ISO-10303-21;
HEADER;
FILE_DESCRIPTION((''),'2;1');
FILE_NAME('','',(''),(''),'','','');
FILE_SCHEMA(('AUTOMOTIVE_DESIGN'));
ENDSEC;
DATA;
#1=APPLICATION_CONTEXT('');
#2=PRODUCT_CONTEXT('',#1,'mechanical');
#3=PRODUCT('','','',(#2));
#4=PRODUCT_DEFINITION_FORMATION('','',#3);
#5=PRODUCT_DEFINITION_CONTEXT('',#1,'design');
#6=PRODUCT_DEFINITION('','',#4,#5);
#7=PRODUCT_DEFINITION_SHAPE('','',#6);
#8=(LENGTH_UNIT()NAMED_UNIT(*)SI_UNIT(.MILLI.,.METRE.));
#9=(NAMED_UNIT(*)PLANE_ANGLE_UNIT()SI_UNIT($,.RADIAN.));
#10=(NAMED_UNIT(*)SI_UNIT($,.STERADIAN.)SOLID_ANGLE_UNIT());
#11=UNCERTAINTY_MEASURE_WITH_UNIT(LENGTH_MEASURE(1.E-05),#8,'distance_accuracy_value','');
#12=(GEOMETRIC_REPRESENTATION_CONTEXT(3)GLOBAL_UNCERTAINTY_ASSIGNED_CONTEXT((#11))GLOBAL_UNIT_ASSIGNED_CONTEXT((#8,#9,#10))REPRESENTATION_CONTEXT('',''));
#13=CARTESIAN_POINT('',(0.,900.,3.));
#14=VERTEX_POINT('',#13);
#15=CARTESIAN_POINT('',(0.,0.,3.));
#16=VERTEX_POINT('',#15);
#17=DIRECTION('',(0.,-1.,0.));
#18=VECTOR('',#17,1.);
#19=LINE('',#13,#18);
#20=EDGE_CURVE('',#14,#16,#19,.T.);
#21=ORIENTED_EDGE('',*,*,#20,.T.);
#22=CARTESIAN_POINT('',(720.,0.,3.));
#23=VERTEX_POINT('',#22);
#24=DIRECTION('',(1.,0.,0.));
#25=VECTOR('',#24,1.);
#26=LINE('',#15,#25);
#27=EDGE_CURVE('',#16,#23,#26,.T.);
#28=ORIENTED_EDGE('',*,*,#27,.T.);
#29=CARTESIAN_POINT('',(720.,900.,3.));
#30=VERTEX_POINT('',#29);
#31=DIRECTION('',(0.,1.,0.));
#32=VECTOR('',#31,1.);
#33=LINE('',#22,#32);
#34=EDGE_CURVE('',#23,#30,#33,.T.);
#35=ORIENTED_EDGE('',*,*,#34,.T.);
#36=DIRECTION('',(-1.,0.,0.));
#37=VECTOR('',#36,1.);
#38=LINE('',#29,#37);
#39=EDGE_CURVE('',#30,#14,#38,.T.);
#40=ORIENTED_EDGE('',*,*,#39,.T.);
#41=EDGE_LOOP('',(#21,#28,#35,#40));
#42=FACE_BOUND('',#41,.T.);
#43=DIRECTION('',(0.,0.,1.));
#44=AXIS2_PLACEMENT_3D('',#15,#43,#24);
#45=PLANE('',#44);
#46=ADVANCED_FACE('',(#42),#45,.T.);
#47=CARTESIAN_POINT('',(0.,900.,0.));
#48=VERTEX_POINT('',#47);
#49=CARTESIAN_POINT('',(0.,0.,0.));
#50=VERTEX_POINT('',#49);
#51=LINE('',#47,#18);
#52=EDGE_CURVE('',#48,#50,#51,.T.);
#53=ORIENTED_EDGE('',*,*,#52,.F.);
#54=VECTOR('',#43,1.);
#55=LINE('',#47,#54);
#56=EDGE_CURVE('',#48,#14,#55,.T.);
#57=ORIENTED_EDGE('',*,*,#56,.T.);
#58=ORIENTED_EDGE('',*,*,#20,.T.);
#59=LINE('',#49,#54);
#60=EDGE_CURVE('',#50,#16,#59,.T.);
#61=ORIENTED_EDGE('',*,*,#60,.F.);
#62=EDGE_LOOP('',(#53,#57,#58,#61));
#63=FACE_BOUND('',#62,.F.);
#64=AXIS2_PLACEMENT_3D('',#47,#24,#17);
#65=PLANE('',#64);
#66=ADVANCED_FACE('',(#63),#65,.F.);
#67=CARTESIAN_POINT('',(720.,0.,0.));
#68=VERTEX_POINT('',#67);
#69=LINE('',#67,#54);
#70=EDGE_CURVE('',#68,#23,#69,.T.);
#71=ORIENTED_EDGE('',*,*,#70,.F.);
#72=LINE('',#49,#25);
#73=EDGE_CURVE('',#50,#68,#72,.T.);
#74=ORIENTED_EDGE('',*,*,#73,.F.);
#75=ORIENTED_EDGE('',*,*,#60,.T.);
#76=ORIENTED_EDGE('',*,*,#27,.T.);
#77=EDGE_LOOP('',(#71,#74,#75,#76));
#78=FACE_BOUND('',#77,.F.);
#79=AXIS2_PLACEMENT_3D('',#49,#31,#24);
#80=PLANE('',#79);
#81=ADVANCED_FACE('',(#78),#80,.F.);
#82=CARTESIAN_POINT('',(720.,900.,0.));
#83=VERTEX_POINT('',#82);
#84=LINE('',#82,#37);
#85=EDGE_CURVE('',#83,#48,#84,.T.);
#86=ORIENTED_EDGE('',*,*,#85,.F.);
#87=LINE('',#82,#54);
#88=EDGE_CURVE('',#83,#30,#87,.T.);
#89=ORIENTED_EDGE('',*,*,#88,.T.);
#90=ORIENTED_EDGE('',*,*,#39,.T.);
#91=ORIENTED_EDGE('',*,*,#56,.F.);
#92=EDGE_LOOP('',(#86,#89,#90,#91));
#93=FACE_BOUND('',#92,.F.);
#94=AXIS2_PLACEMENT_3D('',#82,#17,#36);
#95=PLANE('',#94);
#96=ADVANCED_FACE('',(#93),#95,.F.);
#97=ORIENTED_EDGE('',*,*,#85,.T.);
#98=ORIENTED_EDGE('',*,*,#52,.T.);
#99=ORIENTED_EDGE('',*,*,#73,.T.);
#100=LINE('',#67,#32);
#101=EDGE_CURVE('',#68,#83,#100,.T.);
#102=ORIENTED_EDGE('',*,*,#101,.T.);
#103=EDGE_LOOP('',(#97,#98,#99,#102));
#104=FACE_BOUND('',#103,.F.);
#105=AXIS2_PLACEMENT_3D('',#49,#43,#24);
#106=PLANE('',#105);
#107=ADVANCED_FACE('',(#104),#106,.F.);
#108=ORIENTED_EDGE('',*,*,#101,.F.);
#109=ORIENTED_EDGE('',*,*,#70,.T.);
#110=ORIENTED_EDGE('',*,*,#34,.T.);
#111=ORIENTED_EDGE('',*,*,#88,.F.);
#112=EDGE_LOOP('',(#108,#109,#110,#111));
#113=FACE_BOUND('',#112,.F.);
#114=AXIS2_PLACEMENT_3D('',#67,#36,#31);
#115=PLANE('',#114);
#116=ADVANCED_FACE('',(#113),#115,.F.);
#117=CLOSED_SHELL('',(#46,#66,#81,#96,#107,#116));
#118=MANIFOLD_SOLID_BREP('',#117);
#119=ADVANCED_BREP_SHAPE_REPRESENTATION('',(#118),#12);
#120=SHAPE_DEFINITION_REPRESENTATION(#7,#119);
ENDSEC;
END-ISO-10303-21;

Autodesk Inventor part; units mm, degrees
ref_plane "YZ Plane" through (0, 0, 0) normal (1, 0, 0) x (0, 1, 0)
ref_plane "XZ Plane" through (0, 0, 0) normal (0, 1, 0) x (-1, 0, 0)
ref_plane "XY Plane" through (0, 0, 0) normal (0, 0, 1) x (1, 0, 0)
sketch "Skizze1" plane through (0, 0, 0) normal (0, 0, 1) x (1, 0, 0)
  line L0 (0, 0) -> (720, 0)
  line L1 (720, 0) -> (720, 900)
  line L2 (720, 900) -> (0, 900)
  line L3 (0, 900) -> (0, 0)
  dimension "d0" = 900
  dimension "d1" = 720
extrude "Extrusion1" add sketch "Skizze1" along normal blind 3
properties part number "Gummi Matte DRW" material "Gummi"
